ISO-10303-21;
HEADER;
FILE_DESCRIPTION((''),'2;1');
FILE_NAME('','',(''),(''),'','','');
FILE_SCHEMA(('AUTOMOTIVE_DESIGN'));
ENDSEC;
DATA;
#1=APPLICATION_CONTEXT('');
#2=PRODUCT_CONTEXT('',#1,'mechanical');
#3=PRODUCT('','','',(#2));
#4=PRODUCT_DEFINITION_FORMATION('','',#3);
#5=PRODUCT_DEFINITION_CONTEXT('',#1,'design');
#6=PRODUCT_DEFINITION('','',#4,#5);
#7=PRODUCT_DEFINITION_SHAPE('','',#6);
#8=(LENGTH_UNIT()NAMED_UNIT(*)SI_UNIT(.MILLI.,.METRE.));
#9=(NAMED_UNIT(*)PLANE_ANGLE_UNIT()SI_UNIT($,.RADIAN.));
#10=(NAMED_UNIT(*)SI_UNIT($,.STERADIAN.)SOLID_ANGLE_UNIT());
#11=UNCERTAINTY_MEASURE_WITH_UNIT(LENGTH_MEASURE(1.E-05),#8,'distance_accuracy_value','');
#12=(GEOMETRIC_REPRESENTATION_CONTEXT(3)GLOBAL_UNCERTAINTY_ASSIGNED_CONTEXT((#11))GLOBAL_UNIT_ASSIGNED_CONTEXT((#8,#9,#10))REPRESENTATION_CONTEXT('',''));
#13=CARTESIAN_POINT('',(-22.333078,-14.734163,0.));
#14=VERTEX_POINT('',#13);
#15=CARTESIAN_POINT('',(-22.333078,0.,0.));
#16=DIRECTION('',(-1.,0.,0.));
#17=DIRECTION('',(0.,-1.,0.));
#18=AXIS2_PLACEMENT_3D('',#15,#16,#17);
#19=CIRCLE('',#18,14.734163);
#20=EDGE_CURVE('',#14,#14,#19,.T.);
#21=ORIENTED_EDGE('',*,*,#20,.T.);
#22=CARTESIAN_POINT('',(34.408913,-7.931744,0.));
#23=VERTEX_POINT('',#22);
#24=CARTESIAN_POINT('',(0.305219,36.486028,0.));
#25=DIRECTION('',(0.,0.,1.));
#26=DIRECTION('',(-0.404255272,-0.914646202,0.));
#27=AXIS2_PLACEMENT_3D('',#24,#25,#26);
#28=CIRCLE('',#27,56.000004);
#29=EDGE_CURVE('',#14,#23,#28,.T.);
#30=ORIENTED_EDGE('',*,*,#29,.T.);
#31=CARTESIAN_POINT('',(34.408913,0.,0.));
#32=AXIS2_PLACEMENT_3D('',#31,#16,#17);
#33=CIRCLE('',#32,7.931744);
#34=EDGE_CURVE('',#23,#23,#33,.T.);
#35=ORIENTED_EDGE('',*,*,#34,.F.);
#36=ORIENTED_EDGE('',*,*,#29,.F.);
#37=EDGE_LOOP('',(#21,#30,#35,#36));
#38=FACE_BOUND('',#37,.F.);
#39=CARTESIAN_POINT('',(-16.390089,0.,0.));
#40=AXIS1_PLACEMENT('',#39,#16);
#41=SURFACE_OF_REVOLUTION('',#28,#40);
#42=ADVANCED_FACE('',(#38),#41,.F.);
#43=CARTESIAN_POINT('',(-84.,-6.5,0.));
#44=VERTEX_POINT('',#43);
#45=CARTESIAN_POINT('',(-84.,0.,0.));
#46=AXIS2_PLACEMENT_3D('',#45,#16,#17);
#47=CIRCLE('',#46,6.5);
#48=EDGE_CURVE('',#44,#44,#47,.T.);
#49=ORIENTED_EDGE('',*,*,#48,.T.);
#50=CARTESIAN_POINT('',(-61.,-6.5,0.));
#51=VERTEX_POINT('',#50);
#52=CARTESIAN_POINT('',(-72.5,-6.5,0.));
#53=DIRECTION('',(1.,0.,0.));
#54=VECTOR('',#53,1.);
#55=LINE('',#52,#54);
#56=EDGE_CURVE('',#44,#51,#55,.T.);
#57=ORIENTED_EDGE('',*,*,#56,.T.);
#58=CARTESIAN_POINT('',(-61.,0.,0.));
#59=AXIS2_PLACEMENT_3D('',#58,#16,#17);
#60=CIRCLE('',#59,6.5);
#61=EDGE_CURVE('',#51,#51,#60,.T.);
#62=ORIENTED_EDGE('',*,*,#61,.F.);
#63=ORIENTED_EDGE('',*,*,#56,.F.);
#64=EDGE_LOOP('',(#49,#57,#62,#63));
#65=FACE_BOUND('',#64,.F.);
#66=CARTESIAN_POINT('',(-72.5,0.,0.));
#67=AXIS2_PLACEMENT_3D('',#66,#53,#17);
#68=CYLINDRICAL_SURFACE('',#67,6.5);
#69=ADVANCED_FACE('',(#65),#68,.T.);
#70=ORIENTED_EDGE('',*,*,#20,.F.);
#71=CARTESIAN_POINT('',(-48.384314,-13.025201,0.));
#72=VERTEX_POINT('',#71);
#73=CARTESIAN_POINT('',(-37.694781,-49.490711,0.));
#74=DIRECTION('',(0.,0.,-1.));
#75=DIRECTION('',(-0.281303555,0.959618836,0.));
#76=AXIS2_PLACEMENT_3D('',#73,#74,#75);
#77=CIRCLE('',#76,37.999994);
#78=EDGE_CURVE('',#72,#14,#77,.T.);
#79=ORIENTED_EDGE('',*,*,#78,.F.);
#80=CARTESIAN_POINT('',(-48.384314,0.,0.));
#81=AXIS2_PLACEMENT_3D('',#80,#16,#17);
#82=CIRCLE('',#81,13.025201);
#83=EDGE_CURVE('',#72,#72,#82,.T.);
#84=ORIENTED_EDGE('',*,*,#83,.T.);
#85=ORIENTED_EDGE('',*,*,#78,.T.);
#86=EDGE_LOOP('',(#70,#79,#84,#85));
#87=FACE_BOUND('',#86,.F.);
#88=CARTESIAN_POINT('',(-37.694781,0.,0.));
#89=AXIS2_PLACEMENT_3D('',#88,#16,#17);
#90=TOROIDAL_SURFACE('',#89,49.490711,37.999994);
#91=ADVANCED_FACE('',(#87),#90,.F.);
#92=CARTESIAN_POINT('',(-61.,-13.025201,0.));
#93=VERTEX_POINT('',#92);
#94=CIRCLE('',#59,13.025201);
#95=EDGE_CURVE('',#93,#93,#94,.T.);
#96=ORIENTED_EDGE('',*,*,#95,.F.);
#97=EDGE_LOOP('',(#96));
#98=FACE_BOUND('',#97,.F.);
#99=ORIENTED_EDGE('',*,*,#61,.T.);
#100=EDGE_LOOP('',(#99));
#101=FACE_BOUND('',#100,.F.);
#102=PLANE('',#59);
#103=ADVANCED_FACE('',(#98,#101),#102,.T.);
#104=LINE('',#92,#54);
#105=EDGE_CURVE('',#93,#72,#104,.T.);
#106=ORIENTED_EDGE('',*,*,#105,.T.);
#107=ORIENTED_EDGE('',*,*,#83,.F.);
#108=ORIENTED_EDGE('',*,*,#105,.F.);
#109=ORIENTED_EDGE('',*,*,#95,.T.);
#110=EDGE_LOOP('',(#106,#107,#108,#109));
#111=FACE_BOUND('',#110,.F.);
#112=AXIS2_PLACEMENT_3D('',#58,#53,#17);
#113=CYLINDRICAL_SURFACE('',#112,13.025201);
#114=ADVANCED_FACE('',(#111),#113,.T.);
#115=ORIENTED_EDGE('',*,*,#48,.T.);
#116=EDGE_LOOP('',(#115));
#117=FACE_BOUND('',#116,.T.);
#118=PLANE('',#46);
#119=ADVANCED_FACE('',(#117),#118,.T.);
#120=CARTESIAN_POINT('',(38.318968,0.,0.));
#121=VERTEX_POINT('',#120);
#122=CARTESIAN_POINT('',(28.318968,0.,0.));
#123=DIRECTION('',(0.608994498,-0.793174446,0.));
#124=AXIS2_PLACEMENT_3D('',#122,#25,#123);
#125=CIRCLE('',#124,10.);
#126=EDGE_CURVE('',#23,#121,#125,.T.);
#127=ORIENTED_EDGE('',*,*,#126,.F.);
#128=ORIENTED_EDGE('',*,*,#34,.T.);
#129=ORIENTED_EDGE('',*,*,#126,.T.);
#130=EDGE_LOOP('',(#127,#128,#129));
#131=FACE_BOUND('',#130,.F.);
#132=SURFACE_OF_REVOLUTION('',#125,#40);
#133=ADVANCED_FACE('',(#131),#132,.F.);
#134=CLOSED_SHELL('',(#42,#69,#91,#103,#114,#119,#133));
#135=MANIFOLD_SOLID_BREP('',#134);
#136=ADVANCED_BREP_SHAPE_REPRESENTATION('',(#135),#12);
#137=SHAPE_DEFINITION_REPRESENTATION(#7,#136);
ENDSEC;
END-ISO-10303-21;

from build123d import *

# Parameters (mm, degrees)
F0_W = 23
F0_H = 6.5


with BuildPart() as f1:
    # F0 (on Top) → F1 (revolve)
    with BuildSketch(Plane.XY):
        with BuildLine():
            ThreePointArc((-48.384314, -13.025201), (-35.207326, -11.572218), (-22.333078, -14.734163))
            ThreePointArc((-22.333078, -14.734163), (6.970956, -19.115846), (34.408913, -7.931744))
            ThreePointArc((34.408913, -7.931744), (37.288345, -4.421569), (38.318968, 0))
            Line((38.318968, 0), (-61, 0))
            Line((-61, 0), (-61, -6.5))
            Line((-61, -6.5), (-61, -13.025201))
            Line((-61, -13.025201), (-48.384314, -13.025201))
        make_face()
        with Locations((-72.5, -3.25)):
            Rectangle(F0_W, F0_H)
    revolve(axis=Axis((-16.390089, 0, 0), (-1, 0, 0)))


solid = f1.part
